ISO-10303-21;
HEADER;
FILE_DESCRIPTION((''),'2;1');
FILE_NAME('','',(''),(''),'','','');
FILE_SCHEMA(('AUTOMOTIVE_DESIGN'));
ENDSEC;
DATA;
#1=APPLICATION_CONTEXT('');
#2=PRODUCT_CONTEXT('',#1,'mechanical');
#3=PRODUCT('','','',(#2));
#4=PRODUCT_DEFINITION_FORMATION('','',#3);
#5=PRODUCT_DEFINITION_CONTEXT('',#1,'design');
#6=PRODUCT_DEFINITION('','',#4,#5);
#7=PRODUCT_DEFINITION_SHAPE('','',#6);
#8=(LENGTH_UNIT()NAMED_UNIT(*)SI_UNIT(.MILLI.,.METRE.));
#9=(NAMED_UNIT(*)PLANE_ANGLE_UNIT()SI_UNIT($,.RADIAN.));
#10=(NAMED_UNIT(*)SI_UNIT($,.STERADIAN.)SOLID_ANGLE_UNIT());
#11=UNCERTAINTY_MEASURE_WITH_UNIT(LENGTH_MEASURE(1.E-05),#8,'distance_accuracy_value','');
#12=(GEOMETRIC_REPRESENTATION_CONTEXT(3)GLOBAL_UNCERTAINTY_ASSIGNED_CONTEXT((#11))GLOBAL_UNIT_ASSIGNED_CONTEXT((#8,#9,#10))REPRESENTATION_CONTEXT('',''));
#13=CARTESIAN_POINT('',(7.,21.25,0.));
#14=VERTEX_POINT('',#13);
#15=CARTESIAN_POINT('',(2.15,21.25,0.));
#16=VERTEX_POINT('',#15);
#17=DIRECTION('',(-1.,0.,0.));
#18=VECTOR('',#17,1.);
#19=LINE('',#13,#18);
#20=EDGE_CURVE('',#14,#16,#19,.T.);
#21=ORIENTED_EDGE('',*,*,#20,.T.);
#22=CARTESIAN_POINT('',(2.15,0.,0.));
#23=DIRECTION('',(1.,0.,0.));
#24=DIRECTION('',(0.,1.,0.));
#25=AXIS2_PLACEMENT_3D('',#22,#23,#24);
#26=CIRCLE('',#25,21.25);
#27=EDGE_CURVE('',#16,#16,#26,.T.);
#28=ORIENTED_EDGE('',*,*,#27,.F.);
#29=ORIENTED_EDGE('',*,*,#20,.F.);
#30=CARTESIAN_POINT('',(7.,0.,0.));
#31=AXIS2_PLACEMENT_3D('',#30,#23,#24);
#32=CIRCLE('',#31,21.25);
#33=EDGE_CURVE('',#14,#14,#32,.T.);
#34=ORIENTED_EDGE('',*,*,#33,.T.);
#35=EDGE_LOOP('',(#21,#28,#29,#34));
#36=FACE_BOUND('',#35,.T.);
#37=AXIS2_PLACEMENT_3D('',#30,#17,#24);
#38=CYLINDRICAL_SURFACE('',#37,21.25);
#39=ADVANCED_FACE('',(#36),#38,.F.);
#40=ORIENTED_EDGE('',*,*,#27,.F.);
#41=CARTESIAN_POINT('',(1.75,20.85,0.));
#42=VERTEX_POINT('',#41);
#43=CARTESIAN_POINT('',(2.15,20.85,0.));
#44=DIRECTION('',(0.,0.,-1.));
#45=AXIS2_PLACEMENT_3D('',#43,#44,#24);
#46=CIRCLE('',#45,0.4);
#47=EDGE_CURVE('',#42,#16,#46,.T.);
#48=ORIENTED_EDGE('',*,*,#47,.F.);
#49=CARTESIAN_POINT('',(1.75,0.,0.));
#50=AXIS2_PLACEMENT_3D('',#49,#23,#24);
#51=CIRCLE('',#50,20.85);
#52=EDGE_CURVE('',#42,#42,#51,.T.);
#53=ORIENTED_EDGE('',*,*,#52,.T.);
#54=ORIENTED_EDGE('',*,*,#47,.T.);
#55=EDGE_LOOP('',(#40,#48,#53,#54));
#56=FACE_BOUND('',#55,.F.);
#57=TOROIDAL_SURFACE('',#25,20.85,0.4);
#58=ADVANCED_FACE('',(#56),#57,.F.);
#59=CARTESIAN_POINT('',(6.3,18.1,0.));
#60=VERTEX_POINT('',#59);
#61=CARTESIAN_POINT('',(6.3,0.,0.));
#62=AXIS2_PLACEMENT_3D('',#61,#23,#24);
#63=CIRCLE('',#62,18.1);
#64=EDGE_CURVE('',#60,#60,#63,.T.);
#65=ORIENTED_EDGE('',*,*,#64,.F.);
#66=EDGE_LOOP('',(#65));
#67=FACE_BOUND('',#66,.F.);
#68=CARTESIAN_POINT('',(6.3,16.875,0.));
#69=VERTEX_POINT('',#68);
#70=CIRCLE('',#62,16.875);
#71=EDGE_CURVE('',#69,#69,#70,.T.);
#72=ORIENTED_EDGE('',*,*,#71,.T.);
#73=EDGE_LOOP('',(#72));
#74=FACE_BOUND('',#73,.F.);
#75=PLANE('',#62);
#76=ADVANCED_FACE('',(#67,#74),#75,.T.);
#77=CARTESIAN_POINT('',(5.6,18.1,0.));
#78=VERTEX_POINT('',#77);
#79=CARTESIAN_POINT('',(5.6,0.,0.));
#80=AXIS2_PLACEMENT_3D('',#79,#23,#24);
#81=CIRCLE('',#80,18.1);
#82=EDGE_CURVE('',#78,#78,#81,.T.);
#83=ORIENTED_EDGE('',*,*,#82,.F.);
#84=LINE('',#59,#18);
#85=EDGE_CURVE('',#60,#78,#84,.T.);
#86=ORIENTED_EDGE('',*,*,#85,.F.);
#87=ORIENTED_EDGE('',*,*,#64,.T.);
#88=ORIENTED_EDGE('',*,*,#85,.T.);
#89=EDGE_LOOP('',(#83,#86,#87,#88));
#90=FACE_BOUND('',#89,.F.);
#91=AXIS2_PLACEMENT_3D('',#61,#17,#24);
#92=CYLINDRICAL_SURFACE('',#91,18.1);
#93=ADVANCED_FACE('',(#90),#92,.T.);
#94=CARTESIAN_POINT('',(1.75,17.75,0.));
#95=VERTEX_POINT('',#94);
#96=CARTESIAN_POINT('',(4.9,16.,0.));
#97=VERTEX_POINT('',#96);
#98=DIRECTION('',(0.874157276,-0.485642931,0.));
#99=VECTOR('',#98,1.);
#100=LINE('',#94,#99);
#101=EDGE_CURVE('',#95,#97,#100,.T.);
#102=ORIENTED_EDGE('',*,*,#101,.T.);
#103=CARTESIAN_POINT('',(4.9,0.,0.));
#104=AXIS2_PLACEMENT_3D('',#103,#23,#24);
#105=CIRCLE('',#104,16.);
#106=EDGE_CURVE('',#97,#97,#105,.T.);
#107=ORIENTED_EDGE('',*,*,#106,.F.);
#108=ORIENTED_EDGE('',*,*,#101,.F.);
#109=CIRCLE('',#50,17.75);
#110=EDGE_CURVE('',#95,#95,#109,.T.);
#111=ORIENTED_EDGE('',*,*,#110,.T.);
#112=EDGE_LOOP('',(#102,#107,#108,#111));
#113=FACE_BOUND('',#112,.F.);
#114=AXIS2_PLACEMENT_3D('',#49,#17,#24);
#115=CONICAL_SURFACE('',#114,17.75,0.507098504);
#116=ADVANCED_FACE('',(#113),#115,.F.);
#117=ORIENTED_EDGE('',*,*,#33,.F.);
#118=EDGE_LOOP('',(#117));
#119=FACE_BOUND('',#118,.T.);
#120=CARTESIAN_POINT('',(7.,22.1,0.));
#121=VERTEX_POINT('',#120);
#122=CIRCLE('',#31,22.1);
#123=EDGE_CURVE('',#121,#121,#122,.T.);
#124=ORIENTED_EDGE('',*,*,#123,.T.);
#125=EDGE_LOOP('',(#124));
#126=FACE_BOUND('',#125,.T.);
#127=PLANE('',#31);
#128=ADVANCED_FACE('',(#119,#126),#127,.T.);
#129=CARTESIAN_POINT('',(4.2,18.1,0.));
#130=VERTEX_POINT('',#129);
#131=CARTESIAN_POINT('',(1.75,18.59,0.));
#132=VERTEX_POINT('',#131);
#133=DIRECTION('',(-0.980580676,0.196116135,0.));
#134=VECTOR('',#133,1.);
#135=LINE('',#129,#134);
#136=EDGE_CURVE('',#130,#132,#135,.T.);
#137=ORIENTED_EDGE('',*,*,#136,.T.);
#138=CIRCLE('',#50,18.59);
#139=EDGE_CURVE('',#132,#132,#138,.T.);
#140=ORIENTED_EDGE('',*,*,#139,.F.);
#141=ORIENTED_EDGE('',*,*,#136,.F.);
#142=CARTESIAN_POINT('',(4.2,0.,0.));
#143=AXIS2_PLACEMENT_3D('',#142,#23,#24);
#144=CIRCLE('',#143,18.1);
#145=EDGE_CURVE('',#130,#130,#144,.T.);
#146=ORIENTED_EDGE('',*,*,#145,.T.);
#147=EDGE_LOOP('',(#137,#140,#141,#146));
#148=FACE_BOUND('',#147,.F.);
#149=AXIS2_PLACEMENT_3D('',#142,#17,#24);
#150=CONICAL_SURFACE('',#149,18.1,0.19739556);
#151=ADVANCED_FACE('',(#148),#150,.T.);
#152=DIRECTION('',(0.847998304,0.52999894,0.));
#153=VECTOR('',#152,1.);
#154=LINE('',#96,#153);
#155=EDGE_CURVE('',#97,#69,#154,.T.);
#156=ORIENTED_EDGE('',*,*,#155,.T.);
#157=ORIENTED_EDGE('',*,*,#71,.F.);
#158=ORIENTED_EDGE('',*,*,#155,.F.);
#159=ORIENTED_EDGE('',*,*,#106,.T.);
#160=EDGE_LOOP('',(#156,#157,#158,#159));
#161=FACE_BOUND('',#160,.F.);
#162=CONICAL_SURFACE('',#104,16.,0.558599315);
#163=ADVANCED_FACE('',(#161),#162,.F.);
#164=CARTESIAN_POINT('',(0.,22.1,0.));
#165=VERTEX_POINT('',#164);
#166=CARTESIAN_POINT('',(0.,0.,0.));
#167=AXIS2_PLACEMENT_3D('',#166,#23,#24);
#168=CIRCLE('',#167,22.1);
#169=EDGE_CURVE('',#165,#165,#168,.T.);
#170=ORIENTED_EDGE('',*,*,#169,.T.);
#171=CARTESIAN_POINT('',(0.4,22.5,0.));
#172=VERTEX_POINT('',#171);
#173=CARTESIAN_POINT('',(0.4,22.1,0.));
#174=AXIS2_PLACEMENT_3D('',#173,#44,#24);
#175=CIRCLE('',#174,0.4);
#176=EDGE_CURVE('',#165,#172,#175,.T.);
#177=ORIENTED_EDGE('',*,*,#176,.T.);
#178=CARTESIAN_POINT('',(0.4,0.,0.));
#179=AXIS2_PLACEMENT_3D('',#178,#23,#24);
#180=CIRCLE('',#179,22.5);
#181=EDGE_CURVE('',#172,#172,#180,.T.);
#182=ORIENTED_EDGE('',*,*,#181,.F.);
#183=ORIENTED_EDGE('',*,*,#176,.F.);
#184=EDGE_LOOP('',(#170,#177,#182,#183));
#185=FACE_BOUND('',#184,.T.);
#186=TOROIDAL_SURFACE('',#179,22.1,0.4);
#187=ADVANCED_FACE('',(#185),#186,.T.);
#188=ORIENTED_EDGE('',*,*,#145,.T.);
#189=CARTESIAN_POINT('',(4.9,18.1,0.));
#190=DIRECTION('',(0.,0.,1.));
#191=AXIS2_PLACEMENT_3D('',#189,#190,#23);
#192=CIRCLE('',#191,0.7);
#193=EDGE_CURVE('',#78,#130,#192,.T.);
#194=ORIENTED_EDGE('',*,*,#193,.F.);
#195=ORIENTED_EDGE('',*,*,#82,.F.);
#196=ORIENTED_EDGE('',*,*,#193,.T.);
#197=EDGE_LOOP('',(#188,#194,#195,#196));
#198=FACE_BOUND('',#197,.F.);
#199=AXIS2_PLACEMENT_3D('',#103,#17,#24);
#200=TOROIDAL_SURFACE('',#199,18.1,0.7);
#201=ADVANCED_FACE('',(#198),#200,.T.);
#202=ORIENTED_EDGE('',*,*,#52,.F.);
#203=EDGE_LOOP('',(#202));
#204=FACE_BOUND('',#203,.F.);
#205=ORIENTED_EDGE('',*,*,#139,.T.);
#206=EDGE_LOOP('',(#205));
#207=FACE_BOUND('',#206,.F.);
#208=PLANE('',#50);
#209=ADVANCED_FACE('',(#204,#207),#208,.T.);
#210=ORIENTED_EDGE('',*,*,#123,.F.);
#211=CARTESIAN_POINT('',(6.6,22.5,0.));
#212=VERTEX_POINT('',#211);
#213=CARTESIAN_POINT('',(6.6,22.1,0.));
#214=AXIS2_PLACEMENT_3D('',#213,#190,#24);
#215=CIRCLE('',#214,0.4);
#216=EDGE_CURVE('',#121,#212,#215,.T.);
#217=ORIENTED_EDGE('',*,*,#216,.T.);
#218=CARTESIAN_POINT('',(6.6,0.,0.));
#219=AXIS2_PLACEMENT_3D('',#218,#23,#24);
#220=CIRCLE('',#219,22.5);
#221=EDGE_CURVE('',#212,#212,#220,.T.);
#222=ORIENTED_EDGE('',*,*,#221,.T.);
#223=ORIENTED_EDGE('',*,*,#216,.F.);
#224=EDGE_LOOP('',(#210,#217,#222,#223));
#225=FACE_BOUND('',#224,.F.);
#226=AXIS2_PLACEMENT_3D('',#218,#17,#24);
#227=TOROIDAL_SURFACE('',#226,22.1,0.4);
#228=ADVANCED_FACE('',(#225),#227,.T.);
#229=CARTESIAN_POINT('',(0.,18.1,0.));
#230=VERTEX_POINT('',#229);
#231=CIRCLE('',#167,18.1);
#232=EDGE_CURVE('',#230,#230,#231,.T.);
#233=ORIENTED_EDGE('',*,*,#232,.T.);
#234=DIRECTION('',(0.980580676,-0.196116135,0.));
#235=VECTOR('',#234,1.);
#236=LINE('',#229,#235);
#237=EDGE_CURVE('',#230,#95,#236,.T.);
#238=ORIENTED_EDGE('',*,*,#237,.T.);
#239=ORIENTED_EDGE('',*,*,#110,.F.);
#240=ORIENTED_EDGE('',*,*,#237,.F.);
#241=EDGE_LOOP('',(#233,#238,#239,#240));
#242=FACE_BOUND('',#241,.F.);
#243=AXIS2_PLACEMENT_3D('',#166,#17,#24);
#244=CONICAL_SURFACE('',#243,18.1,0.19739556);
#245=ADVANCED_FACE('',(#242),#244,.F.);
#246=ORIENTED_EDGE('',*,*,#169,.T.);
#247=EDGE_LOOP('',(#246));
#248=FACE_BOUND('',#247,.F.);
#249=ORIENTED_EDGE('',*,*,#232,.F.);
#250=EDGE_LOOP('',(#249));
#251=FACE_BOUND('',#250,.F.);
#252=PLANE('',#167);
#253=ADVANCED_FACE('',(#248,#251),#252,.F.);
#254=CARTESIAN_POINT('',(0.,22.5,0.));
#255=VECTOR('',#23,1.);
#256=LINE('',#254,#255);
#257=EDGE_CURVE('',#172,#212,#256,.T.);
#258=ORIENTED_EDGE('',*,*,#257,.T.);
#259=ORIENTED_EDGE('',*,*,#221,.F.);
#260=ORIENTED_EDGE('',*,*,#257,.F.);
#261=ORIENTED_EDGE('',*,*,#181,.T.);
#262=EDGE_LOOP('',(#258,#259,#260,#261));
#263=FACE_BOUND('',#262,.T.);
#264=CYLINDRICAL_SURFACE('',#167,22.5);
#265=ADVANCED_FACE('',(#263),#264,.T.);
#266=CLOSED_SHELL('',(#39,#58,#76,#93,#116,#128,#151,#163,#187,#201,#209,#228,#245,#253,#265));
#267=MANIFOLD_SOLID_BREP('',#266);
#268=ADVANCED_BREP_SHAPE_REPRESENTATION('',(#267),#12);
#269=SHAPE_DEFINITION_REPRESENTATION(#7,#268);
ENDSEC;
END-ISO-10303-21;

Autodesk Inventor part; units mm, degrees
ref_plane "YZ Plane" through (0, 0, 0) normal (1, 0, 0) x (0, 1, 0)
ref_plane "XZ Plane" through (0, 0, 0) normal (0, 1, 0) x (-1, 0, 0)
ref_plane "XY Plane" through (0, 0, 0) normal (0, 0, 1) x (1, 0, 0)
sketch "Эскиз1" plane through (0, 0, 0) normal (0, 0, 1) x (1, 0, 0)
  circle A0 centre (4.9, 18.1) radius 0.455
  circle A1 centre (4.9, 18.1) radius 0.7
  line L0 (6.3, 16.875) -> (6.3, 18.1)
  line L1 (0, 22.5) -> (7, 22.5)
  line L2 (7, 22.5) -> (7, 21.25)
  line L3 (7, 21.25) -> (1.75, 21.25)
  line L4 (0, 0) -> (9.5856, 0)
  line L5 (0, 22.5) -> (0, 18.1)
  line L6 (0, 18.1) -> (1.75, 17.75)
  line L7 (1.75, 17.75) -> (4.9, 16)
  line L8 (4.9, 16) -> (6.3, 16.875)
  line L9 (4.9, 16) -> (0, 16) construction
  line L10 (0, 18) -> (0, -3) projected
  line L11 (-1.9171, 0) -> (11.5027, 0) projected
  line L12 (4.2, 18.1) -> (1.75, 18.59)
  line L13 (1.75, 18.59) -> (1.75, 21.25)
  line L14 (6.3, 18.1) -> (5.6, 18.1)
  dimension "d0" = 45
  dimension "d1" = 33.75
  dimension "d2" = 1.25
  dimension "d3" = 0.91
  dimension "d4" = 1.4
  dimension "d5" = 32
  dimension "d6" = 35.5
  dimension "d7" = 36.2
  dimension "d8" = 4.9
  dimension "d9" = 6.3
  dimension "d10" = 7
  dimension "d12" = 1.75
revolve "Базовый элемент" add sketch "Эскиз1" angle 360 about axis through (0, 0, 0) along (1, 0, 0) contours L14 L0 L8 L7 L6 L5 L1 L2 L3 L13 L12 A1
revolve "Пружинные1" add sketch "Эскиз1" angle 360 about axis through (0, 0, 0) along (1, 0, 0) contours A0 | A1
fillet "Сопряжение1" radius 0.4 3 edges at (7, -22.5, 0) (1.75, -21.25, 0) (0, -22.5, 0)
equation "\"d0\" = SD2"
equation "\"d1\" = ABDM"
equation "\"d3\" = SPDI"
equation "\"d4\" = SPDA"
equation "\"d5\" = NND"
equation "\"d6\" = TKDM"
equation "\"d7\" = HLDM"
equation "\"d8\" = SPDST"
equation "\"d9\" = SDI"
equation "\"d10\" = SWDT"
equation "\"d12\" = SD"
equation "\"d11\" = RR"
equation "\"SD2\" = 45"
equation "\"SWDT\" = 7"
equation "\"RR\" = 0.4"
equation "\"SD\" = 1.75"
equation "\"NND\" = 32"
equation "\"SPDA\" = 1.4"
equation "\"SPDI\" = 0.91"
equation "\"TKDM\" = 35.5"
equation "\"HLDM\" = 36.2"
equation "\"ABDM\" = 33.75"
equation "\"SDI\" = 6.3"
equation "\"SPDST\" = 4.9"
equation "\"LAB\" = 0.35"
properties part number "Манжет 1-32x45x7 ГОСТ 8752-79" material "Резина"
